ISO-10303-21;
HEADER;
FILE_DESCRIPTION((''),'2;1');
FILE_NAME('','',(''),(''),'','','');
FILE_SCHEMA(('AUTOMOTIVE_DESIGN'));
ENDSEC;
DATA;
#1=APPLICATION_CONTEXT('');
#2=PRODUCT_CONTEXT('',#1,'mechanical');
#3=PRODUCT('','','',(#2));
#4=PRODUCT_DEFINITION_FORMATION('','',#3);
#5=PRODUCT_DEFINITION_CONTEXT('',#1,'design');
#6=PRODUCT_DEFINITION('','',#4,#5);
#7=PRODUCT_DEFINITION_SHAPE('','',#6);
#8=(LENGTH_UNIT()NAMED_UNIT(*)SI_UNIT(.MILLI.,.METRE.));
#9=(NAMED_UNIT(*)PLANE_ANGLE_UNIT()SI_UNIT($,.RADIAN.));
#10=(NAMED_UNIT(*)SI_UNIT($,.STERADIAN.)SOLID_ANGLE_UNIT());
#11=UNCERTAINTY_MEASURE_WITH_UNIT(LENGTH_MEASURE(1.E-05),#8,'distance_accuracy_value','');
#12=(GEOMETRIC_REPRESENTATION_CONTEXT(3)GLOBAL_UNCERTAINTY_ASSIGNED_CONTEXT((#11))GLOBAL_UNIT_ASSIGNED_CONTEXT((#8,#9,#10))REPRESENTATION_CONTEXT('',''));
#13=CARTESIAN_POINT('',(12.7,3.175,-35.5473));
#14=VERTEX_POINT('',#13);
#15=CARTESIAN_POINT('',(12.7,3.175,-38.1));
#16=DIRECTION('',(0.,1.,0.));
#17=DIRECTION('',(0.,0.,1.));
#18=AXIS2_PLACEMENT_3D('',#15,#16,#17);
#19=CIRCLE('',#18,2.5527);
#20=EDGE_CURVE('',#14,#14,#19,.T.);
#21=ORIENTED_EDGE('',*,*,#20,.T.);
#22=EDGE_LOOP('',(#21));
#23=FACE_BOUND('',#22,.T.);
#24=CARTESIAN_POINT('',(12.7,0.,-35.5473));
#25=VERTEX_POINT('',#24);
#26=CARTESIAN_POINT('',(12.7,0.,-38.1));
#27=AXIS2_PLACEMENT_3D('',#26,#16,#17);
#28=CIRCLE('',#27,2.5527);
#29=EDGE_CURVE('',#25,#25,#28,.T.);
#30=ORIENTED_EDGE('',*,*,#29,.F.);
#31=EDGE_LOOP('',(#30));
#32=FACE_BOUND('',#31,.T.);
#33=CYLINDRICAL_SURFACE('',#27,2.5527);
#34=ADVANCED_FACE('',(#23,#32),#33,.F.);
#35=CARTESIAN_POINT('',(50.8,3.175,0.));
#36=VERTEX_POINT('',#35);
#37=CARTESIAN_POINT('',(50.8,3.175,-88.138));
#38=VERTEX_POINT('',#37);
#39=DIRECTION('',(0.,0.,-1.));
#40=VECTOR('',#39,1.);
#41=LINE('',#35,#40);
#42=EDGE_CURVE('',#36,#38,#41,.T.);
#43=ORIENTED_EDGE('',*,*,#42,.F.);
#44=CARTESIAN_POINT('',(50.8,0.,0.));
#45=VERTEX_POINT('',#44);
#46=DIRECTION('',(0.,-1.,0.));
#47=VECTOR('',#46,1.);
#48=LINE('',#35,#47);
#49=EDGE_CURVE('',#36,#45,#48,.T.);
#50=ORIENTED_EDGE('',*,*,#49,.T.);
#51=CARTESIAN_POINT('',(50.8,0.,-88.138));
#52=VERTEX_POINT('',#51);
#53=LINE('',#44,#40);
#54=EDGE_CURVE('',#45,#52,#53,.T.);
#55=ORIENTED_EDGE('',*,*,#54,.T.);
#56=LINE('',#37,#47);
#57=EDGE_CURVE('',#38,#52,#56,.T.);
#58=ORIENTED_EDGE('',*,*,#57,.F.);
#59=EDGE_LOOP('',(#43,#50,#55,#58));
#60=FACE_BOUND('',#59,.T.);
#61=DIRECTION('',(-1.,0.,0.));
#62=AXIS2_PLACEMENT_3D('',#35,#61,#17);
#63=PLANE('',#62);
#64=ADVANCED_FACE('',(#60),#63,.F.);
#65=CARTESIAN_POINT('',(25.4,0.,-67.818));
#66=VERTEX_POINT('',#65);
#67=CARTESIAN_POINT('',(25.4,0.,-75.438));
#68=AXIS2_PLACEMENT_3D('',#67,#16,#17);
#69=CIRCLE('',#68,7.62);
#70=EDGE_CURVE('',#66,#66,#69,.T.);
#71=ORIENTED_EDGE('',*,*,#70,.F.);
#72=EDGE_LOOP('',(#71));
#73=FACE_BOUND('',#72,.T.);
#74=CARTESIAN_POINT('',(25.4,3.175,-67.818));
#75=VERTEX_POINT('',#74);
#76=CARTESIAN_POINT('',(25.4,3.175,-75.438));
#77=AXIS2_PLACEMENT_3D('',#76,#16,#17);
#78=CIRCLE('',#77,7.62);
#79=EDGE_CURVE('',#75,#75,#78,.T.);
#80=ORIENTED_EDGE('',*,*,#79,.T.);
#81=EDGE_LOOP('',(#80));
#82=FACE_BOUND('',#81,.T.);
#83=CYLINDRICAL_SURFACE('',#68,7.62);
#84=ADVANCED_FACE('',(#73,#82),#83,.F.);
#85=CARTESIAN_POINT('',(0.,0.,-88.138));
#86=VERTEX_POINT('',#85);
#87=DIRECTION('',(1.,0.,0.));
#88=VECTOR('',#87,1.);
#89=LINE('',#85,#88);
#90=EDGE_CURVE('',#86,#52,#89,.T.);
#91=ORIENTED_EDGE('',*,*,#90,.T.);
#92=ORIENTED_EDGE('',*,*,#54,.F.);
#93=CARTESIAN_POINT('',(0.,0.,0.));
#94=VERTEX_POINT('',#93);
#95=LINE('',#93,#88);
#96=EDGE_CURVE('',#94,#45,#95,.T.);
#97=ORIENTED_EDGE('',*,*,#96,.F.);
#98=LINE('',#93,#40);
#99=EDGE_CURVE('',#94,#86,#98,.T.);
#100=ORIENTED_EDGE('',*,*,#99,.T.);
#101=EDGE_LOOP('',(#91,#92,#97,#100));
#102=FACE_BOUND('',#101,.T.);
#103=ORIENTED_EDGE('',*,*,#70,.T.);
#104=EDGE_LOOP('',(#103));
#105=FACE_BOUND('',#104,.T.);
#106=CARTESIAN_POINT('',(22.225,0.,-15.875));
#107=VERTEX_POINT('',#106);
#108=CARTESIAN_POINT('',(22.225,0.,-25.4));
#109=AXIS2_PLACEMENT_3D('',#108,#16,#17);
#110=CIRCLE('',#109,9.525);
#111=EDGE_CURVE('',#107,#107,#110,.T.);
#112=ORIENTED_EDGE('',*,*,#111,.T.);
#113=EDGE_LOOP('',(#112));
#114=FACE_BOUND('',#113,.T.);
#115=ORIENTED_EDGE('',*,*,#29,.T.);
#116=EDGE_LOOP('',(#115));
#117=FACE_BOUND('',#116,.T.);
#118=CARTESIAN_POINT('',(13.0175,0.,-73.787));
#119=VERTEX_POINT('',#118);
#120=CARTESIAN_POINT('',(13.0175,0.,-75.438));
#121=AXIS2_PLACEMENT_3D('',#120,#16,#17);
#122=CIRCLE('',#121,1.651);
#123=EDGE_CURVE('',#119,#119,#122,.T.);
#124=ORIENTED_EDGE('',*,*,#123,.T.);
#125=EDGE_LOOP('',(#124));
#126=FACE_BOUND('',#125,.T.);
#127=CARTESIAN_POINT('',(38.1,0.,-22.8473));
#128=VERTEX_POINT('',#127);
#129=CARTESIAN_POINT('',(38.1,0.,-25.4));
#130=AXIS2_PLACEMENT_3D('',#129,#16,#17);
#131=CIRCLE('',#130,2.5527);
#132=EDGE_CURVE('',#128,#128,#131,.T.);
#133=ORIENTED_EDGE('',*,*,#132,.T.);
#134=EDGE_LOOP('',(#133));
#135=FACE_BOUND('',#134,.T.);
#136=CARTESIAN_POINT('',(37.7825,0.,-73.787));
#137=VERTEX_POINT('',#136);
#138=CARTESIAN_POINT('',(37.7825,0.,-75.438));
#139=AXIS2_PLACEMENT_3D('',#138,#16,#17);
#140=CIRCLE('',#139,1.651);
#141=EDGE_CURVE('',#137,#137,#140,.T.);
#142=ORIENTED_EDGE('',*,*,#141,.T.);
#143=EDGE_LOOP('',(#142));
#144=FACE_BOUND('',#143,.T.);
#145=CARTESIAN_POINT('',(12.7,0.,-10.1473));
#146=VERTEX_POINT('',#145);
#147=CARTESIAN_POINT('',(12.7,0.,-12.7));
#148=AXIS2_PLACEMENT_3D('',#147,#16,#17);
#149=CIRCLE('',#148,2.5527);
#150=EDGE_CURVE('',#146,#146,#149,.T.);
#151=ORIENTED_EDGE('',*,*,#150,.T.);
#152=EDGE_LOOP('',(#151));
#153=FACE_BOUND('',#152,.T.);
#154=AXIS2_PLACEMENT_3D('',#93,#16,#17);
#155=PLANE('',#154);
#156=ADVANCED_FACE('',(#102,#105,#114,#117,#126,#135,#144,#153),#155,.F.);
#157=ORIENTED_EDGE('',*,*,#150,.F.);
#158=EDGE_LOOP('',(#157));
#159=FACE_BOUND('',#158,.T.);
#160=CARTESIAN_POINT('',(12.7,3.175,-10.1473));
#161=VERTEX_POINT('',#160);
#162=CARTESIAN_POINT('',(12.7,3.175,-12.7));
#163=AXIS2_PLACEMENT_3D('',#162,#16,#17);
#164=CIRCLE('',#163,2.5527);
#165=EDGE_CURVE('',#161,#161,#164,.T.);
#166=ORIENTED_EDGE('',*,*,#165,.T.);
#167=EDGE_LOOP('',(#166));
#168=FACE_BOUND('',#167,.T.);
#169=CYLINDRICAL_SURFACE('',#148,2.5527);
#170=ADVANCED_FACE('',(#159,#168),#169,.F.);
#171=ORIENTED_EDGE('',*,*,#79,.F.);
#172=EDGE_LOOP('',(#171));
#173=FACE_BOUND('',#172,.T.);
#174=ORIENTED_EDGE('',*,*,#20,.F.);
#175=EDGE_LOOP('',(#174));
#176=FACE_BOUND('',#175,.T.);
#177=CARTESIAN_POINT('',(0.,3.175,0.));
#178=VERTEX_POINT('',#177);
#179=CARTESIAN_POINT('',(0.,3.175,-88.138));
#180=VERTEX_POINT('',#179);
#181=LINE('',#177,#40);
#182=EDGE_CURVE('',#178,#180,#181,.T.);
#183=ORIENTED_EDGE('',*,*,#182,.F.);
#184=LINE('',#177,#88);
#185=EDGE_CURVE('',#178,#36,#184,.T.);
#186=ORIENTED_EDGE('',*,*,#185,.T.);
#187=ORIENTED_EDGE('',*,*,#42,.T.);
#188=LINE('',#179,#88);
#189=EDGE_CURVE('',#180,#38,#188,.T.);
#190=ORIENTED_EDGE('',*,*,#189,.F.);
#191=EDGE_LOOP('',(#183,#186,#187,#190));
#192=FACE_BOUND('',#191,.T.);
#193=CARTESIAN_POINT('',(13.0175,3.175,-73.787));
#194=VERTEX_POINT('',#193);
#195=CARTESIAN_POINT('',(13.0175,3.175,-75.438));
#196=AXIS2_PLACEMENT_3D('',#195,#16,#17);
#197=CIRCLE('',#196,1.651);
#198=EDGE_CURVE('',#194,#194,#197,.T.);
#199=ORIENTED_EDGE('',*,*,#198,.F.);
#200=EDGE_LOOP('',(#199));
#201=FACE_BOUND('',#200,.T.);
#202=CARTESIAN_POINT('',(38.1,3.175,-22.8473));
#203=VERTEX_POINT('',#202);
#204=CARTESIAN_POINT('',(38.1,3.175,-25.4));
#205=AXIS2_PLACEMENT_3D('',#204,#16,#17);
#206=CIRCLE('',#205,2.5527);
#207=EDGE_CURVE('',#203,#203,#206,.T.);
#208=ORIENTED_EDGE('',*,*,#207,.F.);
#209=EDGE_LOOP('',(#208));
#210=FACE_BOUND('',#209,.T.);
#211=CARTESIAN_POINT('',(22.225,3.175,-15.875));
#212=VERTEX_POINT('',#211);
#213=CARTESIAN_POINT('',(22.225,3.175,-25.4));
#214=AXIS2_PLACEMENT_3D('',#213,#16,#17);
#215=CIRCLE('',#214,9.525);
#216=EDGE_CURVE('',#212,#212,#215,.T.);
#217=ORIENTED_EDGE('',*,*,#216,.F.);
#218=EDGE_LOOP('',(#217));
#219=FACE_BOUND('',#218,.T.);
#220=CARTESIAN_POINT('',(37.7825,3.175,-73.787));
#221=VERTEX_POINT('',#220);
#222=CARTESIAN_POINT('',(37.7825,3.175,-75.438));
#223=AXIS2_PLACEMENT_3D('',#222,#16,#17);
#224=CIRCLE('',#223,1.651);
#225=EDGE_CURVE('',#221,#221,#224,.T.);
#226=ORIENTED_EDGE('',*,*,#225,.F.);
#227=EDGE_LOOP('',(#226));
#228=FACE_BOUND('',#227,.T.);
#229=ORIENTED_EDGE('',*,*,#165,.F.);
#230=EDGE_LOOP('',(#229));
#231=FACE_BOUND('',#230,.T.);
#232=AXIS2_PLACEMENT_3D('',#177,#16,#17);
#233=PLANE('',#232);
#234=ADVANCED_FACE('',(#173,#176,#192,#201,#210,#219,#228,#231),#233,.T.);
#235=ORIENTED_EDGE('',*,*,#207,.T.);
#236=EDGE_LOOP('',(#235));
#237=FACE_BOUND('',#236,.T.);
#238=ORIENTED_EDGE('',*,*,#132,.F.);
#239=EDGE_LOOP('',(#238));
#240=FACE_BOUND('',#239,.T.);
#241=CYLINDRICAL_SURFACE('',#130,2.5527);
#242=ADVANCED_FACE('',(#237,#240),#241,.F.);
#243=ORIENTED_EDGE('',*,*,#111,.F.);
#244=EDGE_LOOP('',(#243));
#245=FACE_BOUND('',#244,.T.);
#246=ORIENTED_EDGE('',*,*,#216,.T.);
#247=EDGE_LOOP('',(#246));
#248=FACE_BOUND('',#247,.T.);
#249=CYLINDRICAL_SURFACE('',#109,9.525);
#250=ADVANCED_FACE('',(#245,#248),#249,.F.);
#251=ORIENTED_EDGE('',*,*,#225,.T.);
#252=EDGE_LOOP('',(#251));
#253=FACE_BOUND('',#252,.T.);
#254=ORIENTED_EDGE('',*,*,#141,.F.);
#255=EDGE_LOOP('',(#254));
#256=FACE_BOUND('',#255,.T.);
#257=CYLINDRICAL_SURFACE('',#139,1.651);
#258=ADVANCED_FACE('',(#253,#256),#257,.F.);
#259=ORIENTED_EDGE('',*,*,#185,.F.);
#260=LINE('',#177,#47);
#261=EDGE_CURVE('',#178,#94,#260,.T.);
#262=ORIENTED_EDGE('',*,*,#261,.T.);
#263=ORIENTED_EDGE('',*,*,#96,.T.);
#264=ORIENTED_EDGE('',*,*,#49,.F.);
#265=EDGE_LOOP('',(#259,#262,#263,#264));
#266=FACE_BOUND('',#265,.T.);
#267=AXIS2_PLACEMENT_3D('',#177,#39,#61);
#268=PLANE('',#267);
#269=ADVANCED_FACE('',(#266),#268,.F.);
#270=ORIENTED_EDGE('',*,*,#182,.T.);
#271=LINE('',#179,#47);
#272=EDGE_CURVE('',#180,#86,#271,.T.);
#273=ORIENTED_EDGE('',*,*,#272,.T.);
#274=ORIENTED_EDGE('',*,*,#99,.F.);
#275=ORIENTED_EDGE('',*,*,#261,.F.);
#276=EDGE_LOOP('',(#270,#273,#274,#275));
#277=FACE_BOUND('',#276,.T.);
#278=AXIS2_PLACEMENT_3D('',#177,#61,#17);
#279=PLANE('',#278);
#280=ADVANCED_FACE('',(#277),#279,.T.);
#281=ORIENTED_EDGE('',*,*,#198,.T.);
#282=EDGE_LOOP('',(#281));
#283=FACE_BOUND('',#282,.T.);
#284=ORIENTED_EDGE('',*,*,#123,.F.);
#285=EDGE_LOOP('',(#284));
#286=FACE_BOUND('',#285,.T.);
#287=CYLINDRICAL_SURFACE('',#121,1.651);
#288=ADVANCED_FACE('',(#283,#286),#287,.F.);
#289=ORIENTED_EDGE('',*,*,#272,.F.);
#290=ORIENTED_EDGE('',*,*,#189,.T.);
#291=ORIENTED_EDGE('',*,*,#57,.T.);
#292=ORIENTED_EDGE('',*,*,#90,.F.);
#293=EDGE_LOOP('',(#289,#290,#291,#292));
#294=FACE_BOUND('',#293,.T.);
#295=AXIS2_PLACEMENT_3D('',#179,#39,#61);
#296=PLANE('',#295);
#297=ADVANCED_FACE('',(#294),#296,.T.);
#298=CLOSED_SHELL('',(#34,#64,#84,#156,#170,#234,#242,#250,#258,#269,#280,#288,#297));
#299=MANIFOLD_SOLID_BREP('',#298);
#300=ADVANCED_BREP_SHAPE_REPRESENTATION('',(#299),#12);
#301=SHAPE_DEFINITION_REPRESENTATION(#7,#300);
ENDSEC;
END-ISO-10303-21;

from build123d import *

# Parameters (mm, degrees)
SKETCH1_W           = 50.8
SKETCH1_H           = 88.138
BOSS_EXTRUDE1_DEPTH = 3.175
SKETCH2_R           = 2.5527
SKETCH2_R_2         = 9.525
CUT_EXTRUDE1_DEPTH  = 3.175
SKETCH4_R           = 1.651
SKETCH4_R_2         = 7.62
CUT_EXTRUDE2_DEPTH  = 3.175


with BuildPart() as part:
    # Sketch1 → Boss-Extrude1 (new body)
    with BuildSketch(Plane(origin=(0, 0, 0), x_dir=(1, 0, 0), z_dir=(0, 1, 0))):
        with Locations((25.4, 44.069)):
            Rectangle(SKETCH1_W, SKETCH1_H)
    extrude(amount=BOSS_EXTRUDE1_DEPTH)

    # Sketch2 → Cut-Extrude1 (cut)
    with BuildSketch(Plane(origin=(0, 3.175, 0), x_dir=(1, 0, 0), z_dir=(0, 1, 0))):
        with Locations((12.7, 12.7)):
            Circle(SKETCH2_R)
        with Locations((12.7, 38.1)):
            Circle(SKETCH2_R)
        with Locations((38.1, 25.4)):
            Circle(SKETCH2_R)
        with Locations((22.225, 25.4)):
            Circle(SKETCH2_R_2)
    extrude(amount=-CUT_EXTRUDE1_DEPTH, mode=Mode.SUBTRACT)

    # Sketch4 → Cut-Extrude2 (cut)
    with BuildSketch(Plane(origin=(0, 3.175, 0), x_dir=(1, 0, 0), z_dir=(0, 1, 0))):
        with Locations((13.0175, 75.438)):
            Circle(SKETCH4_R)
        with Locations((37.7825, 75.438)):
            Circle(SKETCH4_R)
        with Locations((25.4, 75.438)):
            Circle(SKETCH4_R_2)
    extrude(amount=-CUT_EXTRUDE2_DEPTH, mode=Mode.SUBTRACT)


solid = part.part
